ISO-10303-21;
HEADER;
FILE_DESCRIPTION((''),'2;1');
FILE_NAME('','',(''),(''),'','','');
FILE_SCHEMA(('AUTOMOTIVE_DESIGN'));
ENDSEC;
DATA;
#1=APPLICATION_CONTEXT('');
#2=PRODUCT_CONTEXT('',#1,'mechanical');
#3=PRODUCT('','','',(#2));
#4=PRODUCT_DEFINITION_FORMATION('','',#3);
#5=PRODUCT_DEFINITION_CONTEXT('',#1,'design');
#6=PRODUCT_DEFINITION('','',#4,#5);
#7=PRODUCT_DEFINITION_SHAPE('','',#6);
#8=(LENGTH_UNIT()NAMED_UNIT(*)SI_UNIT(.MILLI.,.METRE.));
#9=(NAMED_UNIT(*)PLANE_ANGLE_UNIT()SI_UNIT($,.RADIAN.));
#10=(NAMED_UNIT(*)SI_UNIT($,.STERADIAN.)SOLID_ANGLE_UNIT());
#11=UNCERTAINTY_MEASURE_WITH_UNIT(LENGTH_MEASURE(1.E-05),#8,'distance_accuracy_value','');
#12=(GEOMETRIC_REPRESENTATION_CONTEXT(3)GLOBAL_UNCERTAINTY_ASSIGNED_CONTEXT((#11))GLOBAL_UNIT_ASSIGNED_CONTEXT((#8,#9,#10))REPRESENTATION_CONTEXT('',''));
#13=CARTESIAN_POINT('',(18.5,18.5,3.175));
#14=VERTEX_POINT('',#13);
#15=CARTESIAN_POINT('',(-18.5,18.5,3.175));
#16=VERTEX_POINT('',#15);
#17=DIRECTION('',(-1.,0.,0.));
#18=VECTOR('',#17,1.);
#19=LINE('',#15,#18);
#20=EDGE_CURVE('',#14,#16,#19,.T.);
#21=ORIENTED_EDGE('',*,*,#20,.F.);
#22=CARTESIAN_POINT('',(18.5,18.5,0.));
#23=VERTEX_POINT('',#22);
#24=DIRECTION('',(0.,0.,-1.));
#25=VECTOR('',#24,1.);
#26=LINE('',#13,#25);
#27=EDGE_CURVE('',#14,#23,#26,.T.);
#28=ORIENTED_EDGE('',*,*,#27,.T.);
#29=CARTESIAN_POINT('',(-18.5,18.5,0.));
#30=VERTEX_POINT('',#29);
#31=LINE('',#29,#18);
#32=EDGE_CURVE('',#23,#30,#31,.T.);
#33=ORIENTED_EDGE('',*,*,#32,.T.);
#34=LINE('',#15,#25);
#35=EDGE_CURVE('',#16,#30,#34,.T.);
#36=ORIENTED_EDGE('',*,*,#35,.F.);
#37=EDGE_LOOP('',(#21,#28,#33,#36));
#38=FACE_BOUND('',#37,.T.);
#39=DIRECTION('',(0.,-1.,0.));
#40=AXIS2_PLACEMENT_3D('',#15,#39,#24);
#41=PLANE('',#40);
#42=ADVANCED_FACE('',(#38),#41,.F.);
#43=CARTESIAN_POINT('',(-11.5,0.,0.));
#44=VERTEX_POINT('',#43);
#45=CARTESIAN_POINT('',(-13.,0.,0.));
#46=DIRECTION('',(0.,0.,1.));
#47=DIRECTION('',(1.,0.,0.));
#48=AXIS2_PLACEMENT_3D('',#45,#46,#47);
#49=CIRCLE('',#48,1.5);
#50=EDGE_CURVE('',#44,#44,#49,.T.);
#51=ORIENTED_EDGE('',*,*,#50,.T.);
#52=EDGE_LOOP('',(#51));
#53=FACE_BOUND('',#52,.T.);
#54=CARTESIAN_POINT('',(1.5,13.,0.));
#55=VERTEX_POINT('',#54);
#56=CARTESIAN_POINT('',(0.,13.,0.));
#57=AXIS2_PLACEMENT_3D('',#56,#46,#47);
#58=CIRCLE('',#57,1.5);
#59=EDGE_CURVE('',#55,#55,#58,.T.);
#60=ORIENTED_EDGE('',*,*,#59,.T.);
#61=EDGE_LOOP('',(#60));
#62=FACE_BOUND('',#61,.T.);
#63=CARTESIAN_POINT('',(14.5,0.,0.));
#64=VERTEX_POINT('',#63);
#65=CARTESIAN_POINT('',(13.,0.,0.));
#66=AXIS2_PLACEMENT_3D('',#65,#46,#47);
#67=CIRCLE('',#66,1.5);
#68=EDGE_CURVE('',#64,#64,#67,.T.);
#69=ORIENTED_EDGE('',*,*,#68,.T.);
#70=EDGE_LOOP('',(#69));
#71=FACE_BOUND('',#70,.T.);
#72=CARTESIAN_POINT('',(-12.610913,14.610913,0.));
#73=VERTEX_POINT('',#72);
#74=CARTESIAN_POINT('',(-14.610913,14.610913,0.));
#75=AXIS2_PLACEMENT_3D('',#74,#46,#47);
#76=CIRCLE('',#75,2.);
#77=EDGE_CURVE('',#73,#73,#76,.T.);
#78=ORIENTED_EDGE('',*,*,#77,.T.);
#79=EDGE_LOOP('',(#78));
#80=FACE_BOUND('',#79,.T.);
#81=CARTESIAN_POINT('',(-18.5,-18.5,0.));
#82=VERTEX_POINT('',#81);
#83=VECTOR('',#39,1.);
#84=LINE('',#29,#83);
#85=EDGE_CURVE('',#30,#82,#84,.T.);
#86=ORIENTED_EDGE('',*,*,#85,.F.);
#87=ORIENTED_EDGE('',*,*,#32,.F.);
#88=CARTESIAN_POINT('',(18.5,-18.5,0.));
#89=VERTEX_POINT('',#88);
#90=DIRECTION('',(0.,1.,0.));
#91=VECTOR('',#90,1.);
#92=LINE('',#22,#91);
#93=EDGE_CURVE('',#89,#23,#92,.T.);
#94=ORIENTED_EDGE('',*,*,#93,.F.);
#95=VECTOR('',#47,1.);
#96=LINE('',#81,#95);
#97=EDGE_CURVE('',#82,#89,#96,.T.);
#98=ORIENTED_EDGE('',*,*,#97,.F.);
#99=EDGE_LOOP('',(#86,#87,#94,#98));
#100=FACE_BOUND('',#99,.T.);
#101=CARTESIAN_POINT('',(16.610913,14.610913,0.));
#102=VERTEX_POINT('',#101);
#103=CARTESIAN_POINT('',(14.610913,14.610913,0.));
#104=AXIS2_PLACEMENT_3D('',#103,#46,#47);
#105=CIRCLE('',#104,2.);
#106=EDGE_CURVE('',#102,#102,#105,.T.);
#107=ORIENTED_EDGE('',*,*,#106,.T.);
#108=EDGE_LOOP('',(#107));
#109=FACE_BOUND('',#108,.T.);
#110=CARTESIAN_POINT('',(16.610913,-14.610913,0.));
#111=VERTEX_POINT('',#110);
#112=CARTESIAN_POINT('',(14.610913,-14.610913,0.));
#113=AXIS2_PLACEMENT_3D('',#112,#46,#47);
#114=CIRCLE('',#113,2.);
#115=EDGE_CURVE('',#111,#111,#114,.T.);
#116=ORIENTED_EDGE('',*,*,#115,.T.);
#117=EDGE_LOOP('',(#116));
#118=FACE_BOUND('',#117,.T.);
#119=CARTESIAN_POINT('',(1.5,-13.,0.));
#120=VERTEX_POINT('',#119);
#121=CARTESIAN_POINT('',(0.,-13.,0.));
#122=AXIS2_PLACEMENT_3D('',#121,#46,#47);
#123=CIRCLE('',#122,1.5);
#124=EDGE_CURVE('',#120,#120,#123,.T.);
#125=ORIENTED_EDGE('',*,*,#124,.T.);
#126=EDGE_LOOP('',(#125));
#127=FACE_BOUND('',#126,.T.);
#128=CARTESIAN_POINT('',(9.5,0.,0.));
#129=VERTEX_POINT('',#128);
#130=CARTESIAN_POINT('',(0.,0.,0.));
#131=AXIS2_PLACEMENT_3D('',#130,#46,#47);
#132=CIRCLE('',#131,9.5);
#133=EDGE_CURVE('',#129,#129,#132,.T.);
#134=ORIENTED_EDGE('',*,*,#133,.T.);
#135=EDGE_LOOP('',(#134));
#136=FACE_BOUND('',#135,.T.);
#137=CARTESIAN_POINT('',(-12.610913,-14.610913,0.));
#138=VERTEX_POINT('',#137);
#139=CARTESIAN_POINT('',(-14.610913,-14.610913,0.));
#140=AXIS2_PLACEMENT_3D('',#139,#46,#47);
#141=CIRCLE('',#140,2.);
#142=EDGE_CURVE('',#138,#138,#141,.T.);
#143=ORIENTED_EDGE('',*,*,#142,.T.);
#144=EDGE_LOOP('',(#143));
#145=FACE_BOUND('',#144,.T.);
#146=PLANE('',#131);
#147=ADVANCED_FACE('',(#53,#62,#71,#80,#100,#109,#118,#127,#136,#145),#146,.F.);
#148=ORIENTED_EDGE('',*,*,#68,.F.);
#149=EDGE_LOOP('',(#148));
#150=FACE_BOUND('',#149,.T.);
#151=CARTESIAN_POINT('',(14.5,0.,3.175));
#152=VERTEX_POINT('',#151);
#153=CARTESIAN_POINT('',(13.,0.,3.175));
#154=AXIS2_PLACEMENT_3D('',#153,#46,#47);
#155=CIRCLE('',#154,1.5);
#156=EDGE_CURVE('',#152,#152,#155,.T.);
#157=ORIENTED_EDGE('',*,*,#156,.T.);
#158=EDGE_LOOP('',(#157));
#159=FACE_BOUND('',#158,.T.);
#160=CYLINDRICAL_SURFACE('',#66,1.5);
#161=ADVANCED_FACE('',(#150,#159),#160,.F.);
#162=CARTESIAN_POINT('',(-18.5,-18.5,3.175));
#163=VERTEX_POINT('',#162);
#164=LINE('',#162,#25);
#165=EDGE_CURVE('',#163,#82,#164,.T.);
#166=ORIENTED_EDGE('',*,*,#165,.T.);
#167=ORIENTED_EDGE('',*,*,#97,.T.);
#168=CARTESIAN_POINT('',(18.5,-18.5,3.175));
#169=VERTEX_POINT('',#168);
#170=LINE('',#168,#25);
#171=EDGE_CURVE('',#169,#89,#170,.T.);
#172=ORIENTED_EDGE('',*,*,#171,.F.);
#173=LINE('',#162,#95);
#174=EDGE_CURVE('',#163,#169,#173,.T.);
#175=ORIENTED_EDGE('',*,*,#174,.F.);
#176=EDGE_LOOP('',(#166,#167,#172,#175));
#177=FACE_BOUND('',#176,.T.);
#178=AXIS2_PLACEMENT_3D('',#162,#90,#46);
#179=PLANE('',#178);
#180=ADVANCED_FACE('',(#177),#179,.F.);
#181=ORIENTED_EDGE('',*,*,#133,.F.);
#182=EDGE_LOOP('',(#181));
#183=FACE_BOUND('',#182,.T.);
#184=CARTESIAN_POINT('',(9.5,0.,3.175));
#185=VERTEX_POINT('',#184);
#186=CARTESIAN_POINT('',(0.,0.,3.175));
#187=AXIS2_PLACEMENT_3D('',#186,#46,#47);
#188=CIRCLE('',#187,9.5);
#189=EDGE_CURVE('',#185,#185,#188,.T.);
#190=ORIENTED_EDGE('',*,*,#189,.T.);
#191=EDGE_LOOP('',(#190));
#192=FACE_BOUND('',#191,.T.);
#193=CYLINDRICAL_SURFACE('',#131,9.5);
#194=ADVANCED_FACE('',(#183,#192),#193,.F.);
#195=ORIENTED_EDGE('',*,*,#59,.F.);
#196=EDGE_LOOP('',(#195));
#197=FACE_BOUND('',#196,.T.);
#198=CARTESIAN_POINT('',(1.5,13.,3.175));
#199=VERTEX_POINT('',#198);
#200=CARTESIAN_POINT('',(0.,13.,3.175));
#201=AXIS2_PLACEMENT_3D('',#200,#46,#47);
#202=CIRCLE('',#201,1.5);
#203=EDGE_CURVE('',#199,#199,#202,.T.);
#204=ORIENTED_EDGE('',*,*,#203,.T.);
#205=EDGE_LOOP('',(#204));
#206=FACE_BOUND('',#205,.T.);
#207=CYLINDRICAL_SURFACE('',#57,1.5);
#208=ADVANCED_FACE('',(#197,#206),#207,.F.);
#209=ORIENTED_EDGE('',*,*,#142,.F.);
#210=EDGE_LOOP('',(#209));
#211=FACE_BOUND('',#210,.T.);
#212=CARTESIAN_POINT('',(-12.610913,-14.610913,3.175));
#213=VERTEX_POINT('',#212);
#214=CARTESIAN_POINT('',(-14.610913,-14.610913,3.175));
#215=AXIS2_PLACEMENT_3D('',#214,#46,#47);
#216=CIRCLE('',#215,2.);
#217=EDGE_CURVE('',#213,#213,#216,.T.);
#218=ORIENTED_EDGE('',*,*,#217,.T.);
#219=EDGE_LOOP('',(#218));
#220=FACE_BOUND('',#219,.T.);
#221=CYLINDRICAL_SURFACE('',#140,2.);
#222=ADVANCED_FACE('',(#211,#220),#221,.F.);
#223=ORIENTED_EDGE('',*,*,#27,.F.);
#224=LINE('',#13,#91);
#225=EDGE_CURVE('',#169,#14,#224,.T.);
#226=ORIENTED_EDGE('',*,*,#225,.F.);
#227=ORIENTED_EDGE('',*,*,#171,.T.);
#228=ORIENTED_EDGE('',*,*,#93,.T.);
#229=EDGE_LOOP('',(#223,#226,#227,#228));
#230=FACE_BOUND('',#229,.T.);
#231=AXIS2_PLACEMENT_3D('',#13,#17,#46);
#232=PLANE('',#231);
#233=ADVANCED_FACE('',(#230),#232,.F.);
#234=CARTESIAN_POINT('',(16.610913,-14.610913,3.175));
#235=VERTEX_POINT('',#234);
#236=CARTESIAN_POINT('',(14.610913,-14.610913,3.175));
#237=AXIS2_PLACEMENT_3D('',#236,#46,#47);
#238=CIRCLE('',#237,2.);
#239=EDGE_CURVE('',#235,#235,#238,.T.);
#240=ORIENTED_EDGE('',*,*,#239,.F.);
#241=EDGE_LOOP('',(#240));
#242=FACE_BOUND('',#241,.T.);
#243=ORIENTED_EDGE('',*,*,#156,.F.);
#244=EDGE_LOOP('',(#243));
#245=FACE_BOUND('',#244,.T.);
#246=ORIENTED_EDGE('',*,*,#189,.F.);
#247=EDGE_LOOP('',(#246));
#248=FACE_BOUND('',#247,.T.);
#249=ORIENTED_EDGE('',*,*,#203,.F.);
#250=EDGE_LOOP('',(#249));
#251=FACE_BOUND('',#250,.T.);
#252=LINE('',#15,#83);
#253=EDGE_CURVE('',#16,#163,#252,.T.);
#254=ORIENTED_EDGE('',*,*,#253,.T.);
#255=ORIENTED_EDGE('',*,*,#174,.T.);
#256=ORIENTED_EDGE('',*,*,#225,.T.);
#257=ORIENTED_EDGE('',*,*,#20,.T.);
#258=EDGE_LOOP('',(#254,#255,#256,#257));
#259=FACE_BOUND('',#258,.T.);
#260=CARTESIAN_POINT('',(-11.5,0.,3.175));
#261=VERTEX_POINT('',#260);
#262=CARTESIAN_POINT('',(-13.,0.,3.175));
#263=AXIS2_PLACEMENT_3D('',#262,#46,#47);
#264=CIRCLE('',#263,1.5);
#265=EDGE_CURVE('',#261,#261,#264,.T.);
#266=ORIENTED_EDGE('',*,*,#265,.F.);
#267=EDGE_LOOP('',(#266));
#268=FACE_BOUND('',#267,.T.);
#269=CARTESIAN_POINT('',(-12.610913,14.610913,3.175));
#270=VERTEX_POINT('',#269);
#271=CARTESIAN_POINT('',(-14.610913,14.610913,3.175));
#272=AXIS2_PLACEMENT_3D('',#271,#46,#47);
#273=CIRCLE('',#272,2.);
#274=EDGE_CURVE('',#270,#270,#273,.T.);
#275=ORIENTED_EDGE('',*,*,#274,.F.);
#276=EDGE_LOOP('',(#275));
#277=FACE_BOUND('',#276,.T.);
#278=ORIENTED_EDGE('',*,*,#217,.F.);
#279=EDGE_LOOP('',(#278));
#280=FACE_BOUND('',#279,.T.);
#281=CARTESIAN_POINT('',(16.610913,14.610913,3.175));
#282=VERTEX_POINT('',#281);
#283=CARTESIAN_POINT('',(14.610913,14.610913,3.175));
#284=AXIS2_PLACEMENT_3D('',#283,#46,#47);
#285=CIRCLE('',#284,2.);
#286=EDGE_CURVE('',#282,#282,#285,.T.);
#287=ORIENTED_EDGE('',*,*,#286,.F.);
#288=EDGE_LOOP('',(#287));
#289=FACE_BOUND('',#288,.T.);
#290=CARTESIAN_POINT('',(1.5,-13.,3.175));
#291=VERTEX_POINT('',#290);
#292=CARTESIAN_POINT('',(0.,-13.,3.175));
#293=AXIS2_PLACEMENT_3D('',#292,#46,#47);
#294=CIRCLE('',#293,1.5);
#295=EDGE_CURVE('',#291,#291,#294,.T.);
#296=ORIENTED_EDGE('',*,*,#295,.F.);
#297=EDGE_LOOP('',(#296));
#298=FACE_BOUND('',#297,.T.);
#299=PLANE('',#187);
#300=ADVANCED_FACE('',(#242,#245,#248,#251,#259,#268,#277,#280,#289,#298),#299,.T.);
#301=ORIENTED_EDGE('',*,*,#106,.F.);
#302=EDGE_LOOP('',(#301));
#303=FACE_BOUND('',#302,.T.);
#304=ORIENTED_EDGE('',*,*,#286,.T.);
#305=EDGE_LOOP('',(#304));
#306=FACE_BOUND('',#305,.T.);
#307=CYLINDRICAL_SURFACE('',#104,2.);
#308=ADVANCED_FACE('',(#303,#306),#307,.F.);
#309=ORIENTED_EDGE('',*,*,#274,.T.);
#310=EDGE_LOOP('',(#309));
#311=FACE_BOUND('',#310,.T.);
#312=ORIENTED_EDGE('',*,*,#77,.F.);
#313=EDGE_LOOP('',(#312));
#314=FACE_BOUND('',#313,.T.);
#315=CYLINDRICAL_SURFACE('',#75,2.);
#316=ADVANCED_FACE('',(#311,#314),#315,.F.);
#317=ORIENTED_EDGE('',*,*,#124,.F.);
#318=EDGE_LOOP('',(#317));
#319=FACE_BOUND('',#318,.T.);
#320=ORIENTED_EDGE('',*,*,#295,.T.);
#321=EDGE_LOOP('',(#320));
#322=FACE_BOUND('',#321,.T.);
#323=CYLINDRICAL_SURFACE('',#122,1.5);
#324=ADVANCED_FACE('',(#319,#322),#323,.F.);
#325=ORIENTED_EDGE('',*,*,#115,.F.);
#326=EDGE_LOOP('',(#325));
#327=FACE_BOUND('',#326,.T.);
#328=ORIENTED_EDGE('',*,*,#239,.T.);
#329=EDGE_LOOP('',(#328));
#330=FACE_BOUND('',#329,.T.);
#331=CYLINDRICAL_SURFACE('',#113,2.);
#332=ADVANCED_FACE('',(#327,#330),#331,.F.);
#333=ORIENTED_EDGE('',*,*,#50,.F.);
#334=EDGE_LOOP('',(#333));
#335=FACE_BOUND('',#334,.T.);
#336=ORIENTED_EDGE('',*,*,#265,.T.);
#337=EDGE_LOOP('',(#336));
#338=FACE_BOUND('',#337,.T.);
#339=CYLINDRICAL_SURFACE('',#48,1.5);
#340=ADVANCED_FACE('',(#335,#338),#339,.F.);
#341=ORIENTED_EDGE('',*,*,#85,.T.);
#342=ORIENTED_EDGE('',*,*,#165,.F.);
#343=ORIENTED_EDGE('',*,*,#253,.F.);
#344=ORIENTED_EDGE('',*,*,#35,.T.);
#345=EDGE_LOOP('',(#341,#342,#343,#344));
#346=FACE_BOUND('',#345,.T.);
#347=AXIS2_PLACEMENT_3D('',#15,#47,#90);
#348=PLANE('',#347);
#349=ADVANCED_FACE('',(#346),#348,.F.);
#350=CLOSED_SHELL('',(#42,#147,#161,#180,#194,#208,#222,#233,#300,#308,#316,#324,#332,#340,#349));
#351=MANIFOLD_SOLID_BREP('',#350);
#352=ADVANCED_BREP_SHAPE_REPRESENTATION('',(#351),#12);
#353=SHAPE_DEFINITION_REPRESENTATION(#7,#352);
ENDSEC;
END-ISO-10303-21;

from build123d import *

# Parameters (mm, degrees)
SKETCH1_W           = 37
SKETCH1_H           = 37
BOSS_EXTRUDE1_DEPTH = 3.175
SKETCH2_R           = 9.5
CUT_EXTRUDE1_DEPTH  = 27.354897552
SKETCH3_R           = 1.5
CUT_EXTRUDE2_DEPTH  = 27.354897552
SKETCH4_R           = 2
CUT_EXTRUDE3_DEPTH  = 27.354897552


with BuildPart() as part:
    # Sketch1 → Boss-Extrude1 (new body)
    with BuildSketch(Plane.XY):
        Rectangle(SKETCH1_W, SKETCH1_H)
    extrude(amount=BOSS_EXTRUDE1_DEPTH)

    # Sketch2 → Cut-Extrude1 (cut, through all)
    with BuildSketch(Plane.XY.offset(3.175)):
        Circle(SKETCH2_R)
    extrude(amount=-CUT_EXTRUDE1_DEPTH, mode=Mode.SUBTRACT)

    # Sketch3 → Cut-Extrude2 (cut, through all)
    with BuildSketch(Plane.XY.offset(3.175)):
        with Locations((-13, 0)):
            Circle(SKETCH3_R)
        with Locations((0, 13)):
            Circle(SKETCH3_R)
        with Locations((13, 0)):
            Circle(SKETCH3_R)
        with Locations((0, -13)):
            Circle(SKETCH3_R)
    extrude(amount=-CUT_EXTRUDE2_DEPTH, mode=Mode.SUBTRACT)

    # Sketch4 → Cut-Extrude3 (cut, through all)
    with BuildSketch(Plane.XY.offset(3.175)):
        with Locations((-14.610912703, 14.610912703)):
            Circle(SKETCH4_R)
        with Locations((14.610912703, 14.610912703)):
            Circle(SKETCH4_R)
        with Locations((14.610912703, -14.610912703)):
            Circle(SKETCH4_R)
        with Locations((-14.610912703, -14.610912703)):
            Circle(SKETCH4_R)
    extrude(amount=-CUT_EXTRUDE3_DEPTH, mode=Mode.SUBTRACT)


solid = part.part
